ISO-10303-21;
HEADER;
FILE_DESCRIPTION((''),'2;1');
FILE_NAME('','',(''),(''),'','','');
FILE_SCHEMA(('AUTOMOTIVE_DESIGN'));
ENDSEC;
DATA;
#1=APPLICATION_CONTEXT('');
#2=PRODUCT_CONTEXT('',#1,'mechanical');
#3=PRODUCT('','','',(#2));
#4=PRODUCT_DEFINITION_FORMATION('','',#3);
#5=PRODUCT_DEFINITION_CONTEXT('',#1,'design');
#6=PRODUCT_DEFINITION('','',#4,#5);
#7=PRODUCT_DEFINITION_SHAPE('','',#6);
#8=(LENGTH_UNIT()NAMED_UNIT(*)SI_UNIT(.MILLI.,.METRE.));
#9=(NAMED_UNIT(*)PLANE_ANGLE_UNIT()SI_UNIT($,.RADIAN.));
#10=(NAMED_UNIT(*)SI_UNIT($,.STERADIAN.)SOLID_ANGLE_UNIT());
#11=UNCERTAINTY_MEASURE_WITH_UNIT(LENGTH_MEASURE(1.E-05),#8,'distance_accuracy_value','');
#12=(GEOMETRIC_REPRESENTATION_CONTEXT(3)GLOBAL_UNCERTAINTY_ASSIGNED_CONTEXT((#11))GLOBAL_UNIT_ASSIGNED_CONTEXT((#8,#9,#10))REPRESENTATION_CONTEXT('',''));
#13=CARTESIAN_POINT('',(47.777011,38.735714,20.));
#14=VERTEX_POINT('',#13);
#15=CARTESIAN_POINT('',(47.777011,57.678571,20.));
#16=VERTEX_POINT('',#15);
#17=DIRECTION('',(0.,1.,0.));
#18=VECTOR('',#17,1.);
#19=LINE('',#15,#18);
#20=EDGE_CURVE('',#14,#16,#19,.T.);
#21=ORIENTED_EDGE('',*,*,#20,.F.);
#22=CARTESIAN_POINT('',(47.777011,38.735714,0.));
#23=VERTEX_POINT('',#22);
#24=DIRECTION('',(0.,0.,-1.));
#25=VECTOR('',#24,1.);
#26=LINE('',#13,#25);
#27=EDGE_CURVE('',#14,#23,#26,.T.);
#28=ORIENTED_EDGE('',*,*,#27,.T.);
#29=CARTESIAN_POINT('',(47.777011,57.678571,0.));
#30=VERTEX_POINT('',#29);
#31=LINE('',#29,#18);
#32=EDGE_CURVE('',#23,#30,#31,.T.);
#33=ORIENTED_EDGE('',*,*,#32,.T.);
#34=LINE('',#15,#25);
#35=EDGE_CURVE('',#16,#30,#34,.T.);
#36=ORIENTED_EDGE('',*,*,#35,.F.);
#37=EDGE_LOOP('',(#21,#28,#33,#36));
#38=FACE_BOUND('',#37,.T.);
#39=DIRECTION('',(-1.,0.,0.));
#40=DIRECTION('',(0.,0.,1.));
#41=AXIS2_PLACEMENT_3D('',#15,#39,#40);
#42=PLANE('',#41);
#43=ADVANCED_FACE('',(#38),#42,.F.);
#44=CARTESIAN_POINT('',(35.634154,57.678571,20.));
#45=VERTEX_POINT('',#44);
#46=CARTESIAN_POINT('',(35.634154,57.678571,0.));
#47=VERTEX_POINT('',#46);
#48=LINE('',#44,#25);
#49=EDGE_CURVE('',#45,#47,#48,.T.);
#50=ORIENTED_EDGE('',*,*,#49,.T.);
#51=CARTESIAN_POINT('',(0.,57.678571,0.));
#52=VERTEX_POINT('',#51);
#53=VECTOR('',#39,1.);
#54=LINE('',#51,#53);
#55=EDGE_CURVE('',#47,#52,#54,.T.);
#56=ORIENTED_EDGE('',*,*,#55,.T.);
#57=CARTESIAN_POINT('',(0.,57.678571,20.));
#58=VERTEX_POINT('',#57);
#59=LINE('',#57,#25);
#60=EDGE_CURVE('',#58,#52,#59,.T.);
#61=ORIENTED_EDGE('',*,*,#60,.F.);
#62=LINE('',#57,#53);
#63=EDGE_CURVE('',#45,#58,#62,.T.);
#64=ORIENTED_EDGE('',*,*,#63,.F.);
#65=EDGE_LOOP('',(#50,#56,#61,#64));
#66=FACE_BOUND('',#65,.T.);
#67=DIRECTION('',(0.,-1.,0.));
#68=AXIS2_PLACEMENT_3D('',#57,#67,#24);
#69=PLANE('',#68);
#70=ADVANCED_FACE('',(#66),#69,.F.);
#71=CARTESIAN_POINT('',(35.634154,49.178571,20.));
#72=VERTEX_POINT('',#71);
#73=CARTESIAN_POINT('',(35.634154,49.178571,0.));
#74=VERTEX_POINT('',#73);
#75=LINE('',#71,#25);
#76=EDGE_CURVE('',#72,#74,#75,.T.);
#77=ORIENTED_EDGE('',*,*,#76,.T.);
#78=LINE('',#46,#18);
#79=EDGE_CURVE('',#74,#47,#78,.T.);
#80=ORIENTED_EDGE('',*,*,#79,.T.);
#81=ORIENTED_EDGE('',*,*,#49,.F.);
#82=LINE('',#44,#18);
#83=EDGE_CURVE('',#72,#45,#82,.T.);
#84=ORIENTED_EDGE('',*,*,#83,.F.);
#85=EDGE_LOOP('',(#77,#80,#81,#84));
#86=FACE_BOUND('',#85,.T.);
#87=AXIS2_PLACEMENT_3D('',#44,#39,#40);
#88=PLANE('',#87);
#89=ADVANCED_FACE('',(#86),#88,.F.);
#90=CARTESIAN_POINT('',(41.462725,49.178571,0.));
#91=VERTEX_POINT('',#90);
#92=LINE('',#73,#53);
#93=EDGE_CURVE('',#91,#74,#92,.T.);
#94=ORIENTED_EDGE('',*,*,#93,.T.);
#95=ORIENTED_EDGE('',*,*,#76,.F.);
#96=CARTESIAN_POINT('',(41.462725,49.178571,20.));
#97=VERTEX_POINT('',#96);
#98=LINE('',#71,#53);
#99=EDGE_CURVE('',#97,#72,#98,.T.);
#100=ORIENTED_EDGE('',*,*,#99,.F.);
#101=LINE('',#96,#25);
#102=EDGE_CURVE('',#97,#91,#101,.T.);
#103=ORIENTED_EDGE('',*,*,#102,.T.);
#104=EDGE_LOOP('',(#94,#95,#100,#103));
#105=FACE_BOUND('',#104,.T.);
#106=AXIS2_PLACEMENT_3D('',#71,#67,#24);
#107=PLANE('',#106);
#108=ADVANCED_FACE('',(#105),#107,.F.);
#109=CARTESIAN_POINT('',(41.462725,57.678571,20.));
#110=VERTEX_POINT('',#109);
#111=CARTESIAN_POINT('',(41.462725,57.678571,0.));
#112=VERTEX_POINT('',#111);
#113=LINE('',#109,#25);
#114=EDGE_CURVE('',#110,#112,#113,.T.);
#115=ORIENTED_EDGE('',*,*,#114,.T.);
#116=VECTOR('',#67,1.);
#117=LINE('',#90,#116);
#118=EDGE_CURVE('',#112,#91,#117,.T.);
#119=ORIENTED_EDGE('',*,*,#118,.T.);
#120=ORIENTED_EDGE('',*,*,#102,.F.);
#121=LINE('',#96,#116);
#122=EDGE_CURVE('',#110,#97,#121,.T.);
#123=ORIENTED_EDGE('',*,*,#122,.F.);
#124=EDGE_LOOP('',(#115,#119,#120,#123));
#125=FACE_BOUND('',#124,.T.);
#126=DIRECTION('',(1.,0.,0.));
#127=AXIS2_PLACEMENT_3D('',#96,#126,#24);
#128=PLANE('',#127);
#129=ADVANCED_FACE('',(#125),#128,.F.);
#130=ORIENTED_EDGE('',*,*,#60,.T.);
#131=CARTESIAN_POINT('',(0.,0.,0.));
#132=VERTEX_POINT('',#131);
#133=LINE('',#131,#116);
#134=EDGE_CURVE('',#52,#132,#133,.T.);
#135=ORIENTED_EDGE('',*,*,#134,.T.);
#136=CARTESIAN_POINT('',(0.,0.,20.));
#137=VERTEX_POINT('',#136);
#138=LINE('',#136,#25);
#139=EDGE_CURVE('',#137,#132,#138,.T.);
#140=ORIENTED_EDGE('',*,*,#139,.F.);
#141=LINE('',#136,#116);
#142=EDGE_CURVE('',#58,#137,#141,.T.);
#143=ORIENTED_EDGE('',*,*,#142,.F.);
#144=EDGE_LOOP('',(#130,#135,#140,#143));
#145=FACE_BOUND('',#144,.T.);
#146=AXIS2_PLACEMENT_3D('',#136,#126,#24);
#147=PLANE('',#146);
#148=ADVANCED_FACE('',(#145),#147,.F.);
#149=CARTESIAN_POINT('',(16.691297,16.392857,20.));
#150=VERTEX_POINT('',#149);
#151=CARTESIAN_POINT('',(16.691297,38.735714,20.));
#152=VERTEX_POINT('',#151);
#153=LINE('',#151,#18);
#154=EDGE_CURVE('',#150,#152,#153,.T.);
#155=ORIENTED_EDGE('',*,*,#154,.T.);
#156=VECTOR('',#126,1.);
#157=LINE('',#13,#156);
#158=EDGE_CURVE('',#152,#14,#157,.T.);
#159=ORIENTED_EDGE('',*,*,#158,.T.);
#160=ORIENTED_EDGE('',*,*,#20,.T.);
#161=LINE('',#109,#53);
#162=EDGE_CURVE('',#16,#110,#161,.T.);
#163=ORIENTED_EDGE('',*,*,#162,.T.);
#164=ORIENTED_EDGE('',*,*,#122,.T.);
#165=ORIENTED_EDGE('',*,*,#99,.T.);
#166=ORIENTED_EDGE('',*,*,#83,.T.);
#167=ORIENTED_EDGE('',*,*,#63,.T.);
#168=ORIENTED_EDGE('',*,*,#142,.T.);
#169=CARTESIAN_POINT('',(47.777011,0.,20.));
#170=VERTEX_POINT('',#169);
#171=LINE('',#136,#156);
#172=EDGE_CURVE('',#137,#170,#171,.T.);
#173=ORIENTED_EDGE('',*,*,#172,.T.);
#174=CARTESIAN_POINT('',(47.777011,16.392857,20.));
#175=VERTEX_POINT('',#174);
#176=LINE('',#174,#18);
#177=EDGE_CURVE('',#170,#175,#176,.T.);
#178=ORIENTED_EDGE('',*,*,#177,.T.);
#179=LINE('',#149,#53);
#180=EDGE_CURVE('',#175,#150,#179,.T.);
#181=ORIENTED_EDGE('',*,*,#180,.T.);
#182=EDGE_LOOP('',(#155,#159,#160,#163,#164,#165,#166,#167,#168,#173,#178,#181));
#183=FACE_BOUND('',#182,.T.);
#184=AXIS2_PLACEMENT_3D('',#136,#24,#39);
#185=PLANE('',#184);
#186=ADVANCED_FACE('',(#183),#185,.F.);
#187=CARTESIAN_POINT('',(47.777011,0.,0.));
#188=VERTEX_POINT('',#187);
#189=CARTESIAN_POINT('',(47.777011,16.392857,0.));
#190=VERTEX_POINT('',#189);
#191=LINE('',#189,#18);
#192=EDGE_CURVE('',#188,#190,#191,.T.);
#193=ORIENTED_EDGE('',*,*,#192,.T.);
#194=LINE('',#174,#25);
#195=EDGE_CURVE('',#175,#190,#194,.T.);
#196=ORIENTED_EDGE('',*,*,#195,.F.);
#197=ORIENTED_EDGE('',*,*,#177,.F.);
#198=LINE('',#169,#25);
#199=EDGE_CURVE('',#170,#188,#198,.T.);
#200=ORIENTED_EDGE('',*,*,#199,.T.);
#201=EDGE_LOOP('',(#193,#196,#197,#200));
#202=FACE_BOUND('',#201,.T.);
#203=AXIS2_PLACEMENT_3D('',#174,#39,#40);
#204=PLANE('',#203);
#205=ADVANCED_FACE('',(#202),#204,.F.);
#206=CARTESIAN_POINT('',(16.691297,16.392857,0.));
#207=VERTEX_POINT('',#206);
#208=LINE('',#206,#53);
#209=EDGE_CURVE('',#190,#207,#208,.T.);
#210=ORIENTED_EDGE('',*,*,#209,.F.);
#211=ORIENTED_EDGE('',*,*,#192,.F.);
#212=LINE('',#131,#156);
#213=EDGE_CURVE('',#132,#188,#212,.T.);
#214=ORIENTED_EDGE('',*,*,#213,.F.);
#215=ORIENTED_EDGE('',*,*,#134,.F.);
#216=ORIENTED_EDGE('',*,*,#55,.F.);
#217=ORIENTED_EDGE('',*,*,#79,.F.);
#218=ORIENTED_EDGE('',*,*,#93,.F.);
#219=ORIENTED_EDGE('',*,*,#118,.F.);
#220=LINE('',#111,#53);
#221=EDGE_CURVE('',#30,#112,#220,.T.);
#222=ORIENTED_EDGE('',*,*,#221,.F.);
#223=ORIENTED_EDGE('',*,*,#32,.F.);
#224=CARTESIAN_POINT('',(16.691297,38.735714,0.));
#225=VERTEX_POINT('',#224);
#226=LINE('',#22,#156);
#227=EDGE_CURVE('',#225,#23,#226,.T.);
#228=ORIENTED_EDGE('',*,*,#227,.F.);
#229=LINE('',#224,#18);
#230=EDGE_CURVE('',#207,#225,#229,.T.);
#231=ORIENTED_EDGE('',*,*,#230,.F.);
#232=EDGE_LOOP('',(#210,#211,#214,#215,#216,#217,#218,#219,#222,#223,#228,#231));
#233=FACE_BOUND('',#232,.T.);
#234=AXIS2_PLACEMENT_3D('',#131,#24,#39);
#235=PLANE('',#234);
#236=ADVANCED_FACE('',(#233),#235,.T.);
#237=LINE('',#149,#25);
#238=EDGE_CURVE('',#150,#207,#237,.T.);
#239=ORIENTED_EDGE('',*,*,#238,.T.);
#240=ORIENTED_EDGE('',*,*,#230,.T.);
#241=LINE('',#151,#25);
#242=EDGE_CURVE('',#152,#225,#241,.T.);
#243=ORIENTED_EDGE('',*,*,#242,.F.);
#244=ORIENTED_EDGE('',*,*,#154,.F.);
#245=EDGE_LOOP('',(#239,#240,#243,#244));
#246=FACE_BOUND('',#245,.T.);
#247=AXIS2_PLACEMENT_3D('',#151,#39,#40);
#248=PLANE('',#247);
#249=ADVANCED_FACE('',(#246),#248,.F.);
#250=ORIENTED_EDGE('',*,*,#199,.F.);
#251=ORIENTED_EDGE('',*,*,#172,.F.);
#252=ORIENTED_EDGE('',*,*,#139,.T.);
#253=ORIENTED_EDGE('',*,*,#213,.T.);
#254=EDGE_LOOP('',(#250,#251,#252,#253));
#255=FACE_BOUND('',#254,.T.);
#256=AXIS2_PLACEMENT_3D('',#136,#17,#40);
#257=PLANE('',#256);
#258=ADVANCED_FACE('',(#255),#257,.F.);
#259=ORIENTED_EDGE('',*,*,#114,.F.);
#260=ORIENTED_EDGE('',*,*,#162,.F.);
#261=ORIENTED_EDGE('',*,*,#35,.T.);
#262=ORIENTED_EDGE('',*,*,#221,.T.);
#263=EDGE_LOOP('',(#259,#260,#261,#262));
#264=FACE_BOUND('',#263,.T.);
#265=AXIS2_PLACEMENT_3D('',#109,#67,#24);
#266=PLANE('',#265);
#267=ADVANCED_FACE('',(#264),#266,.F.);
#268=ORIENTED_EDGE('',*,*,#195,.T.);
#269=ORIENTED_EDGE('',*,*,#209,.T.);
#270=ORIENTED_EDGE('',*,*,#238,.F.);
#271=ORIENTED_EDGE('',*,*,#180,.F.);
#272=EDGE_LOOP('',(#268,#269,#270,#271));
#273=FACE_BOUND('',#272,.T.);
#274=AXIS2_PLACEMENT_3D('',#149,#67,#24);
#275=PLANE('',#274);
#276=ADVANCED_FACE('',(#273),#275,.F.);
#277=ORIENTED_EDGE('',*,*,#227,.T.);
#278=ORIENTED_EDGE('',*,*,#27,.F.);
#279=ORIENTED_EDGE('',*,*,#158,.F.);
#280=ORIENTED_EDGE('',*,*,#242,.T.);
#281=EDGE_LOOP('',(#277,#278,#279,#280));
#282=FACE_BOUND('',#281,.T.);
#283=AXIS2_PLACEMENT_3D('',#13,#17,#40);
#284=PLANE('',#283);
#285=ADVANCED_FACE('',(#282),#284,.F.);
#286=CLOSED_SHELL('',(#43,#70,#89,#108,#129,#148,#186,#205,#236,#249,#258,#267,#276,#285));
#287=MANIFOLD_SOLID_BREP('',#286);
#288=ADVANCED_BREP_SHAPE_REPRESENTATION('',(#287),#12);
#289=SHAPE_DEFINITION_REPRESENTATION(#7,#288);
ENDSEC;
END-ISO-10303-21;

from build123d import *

# Parameters (mm, degrees)
BOSS_EXTRU_1_DEPTH = 20


with BuildPart() as part:
    # Esquisse1 → Boss.-Extru.1 (new body)
    with BuildSketch(Plane.XY):
        Polygon((47.777011134, 57.678571429), (47.777011134, 38.735714286), (16.691296848, 38.735714286), (16.691296848, 16.392857143), (47.777011134, 16.392857143), (47.777011134, 0), (0, 0), (0, 57.678571429), (35.634153991, 57.678571429), (35.634153991, 49.178571429), (41.462725419, 49.178571429), (41.462725419, 57.678571429), align=None)
    extrude(amount=BOSS_EXTRU_1_DEPTH)


solid = part.part
